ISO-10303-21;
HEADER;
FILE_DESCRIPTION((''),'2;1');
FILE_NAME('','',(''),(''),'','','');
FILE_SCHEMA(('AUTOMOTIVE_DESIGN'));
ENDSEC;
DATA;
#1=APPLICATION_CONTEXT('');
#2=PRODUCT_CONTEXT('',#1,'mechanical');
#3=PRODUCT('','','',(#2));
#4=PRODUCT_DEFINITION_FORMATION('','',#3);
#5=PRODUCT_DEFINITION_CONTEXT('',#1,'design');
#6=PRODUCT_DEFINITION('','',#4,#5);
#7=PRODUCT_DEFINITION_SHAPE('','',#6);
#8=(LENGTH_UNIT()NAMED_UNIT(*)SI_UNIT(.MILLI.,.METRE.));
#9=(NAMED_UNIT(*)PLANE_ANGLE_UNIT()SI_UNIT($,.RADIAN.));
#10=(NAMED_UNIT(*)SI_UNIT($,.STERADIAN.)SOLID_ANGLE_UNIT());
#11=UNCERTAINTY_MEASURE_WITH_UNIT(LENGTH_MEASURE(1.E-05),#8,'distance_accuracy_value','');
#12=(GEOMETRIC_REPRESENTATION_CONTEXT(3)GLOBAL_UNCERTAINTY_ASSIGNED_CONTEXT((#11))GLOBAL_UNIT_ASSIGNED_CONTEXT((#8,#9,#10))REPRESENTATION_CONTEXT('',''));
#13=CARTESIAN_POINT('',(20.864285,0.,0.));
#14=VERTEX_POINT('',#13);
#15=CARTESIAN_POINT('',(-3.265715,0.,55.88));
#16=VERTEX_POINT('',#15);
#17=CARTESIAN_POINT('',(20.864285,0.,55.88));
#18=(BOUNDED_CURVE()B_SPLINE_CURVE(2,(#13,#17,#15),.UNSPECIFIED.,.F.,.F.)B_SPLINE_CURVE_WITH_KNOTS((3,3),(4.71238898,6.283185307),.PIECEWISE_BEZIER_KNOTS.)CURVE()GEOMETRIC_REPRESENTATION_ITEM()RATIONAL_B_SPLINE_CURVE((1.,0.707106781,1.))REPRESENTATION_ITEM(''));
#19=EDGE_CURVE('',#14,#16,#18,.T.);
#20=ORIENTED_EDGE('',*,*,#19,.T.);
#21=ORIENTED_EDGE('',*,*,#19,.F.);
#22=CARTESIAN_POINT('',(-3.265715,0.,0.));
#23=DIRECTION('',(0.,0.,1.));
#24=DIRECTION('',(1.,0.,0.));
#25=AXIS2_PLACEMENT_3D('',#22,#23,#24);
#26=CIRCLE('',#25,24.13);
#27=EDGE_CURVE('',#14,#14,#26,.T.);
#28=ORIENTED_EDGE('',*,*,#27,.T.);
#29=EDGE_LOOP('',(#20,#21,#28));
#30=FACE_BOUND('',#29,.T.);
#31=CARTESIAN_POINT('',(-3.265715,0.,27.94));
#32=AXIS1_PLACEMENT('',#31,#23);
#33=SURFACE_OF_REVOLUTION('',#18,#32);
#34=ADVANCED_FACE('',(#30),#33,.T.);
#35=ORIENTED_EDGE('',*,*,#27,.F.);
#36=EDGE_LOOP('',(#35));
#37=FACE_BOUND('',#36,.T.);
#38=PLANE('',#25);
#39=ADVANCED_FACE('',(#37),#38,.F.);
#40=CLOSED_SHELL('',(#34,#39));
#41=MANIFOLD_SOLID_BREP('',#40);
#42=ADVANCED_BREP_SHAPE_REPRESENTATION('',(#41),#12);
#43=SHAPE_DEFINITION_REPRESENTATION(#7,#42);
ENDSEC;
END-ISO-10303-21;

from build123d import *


with BuildPart() as f1:
    # F0 (on Front) → F1 (revolve)
    with BuildSketch(Plane.XZ):
        with BuildLine():
            Line((-3.2657145775, 55.88), (-3.2657145775, 0))
            Line((-3.2657145775, 0), (20.8642854225, 0))
            add(Edge.make_bspline(
                [(20.8642854225, 0), (20.8642854225, 55.88), (-3.2657145775, 55.88)],
                knots=[4.7123889804, 4.7123889804, 4.7123889804, 6.2831853072, 6.2831853072, 6.2831853072], degree=2, weights=[1, 0.7071067812, 1]))
        make_face()
    revolve(axis=Axis((-3.2657145775, 0, 27.94), (0, 0, 1)))


solid = f1.part
